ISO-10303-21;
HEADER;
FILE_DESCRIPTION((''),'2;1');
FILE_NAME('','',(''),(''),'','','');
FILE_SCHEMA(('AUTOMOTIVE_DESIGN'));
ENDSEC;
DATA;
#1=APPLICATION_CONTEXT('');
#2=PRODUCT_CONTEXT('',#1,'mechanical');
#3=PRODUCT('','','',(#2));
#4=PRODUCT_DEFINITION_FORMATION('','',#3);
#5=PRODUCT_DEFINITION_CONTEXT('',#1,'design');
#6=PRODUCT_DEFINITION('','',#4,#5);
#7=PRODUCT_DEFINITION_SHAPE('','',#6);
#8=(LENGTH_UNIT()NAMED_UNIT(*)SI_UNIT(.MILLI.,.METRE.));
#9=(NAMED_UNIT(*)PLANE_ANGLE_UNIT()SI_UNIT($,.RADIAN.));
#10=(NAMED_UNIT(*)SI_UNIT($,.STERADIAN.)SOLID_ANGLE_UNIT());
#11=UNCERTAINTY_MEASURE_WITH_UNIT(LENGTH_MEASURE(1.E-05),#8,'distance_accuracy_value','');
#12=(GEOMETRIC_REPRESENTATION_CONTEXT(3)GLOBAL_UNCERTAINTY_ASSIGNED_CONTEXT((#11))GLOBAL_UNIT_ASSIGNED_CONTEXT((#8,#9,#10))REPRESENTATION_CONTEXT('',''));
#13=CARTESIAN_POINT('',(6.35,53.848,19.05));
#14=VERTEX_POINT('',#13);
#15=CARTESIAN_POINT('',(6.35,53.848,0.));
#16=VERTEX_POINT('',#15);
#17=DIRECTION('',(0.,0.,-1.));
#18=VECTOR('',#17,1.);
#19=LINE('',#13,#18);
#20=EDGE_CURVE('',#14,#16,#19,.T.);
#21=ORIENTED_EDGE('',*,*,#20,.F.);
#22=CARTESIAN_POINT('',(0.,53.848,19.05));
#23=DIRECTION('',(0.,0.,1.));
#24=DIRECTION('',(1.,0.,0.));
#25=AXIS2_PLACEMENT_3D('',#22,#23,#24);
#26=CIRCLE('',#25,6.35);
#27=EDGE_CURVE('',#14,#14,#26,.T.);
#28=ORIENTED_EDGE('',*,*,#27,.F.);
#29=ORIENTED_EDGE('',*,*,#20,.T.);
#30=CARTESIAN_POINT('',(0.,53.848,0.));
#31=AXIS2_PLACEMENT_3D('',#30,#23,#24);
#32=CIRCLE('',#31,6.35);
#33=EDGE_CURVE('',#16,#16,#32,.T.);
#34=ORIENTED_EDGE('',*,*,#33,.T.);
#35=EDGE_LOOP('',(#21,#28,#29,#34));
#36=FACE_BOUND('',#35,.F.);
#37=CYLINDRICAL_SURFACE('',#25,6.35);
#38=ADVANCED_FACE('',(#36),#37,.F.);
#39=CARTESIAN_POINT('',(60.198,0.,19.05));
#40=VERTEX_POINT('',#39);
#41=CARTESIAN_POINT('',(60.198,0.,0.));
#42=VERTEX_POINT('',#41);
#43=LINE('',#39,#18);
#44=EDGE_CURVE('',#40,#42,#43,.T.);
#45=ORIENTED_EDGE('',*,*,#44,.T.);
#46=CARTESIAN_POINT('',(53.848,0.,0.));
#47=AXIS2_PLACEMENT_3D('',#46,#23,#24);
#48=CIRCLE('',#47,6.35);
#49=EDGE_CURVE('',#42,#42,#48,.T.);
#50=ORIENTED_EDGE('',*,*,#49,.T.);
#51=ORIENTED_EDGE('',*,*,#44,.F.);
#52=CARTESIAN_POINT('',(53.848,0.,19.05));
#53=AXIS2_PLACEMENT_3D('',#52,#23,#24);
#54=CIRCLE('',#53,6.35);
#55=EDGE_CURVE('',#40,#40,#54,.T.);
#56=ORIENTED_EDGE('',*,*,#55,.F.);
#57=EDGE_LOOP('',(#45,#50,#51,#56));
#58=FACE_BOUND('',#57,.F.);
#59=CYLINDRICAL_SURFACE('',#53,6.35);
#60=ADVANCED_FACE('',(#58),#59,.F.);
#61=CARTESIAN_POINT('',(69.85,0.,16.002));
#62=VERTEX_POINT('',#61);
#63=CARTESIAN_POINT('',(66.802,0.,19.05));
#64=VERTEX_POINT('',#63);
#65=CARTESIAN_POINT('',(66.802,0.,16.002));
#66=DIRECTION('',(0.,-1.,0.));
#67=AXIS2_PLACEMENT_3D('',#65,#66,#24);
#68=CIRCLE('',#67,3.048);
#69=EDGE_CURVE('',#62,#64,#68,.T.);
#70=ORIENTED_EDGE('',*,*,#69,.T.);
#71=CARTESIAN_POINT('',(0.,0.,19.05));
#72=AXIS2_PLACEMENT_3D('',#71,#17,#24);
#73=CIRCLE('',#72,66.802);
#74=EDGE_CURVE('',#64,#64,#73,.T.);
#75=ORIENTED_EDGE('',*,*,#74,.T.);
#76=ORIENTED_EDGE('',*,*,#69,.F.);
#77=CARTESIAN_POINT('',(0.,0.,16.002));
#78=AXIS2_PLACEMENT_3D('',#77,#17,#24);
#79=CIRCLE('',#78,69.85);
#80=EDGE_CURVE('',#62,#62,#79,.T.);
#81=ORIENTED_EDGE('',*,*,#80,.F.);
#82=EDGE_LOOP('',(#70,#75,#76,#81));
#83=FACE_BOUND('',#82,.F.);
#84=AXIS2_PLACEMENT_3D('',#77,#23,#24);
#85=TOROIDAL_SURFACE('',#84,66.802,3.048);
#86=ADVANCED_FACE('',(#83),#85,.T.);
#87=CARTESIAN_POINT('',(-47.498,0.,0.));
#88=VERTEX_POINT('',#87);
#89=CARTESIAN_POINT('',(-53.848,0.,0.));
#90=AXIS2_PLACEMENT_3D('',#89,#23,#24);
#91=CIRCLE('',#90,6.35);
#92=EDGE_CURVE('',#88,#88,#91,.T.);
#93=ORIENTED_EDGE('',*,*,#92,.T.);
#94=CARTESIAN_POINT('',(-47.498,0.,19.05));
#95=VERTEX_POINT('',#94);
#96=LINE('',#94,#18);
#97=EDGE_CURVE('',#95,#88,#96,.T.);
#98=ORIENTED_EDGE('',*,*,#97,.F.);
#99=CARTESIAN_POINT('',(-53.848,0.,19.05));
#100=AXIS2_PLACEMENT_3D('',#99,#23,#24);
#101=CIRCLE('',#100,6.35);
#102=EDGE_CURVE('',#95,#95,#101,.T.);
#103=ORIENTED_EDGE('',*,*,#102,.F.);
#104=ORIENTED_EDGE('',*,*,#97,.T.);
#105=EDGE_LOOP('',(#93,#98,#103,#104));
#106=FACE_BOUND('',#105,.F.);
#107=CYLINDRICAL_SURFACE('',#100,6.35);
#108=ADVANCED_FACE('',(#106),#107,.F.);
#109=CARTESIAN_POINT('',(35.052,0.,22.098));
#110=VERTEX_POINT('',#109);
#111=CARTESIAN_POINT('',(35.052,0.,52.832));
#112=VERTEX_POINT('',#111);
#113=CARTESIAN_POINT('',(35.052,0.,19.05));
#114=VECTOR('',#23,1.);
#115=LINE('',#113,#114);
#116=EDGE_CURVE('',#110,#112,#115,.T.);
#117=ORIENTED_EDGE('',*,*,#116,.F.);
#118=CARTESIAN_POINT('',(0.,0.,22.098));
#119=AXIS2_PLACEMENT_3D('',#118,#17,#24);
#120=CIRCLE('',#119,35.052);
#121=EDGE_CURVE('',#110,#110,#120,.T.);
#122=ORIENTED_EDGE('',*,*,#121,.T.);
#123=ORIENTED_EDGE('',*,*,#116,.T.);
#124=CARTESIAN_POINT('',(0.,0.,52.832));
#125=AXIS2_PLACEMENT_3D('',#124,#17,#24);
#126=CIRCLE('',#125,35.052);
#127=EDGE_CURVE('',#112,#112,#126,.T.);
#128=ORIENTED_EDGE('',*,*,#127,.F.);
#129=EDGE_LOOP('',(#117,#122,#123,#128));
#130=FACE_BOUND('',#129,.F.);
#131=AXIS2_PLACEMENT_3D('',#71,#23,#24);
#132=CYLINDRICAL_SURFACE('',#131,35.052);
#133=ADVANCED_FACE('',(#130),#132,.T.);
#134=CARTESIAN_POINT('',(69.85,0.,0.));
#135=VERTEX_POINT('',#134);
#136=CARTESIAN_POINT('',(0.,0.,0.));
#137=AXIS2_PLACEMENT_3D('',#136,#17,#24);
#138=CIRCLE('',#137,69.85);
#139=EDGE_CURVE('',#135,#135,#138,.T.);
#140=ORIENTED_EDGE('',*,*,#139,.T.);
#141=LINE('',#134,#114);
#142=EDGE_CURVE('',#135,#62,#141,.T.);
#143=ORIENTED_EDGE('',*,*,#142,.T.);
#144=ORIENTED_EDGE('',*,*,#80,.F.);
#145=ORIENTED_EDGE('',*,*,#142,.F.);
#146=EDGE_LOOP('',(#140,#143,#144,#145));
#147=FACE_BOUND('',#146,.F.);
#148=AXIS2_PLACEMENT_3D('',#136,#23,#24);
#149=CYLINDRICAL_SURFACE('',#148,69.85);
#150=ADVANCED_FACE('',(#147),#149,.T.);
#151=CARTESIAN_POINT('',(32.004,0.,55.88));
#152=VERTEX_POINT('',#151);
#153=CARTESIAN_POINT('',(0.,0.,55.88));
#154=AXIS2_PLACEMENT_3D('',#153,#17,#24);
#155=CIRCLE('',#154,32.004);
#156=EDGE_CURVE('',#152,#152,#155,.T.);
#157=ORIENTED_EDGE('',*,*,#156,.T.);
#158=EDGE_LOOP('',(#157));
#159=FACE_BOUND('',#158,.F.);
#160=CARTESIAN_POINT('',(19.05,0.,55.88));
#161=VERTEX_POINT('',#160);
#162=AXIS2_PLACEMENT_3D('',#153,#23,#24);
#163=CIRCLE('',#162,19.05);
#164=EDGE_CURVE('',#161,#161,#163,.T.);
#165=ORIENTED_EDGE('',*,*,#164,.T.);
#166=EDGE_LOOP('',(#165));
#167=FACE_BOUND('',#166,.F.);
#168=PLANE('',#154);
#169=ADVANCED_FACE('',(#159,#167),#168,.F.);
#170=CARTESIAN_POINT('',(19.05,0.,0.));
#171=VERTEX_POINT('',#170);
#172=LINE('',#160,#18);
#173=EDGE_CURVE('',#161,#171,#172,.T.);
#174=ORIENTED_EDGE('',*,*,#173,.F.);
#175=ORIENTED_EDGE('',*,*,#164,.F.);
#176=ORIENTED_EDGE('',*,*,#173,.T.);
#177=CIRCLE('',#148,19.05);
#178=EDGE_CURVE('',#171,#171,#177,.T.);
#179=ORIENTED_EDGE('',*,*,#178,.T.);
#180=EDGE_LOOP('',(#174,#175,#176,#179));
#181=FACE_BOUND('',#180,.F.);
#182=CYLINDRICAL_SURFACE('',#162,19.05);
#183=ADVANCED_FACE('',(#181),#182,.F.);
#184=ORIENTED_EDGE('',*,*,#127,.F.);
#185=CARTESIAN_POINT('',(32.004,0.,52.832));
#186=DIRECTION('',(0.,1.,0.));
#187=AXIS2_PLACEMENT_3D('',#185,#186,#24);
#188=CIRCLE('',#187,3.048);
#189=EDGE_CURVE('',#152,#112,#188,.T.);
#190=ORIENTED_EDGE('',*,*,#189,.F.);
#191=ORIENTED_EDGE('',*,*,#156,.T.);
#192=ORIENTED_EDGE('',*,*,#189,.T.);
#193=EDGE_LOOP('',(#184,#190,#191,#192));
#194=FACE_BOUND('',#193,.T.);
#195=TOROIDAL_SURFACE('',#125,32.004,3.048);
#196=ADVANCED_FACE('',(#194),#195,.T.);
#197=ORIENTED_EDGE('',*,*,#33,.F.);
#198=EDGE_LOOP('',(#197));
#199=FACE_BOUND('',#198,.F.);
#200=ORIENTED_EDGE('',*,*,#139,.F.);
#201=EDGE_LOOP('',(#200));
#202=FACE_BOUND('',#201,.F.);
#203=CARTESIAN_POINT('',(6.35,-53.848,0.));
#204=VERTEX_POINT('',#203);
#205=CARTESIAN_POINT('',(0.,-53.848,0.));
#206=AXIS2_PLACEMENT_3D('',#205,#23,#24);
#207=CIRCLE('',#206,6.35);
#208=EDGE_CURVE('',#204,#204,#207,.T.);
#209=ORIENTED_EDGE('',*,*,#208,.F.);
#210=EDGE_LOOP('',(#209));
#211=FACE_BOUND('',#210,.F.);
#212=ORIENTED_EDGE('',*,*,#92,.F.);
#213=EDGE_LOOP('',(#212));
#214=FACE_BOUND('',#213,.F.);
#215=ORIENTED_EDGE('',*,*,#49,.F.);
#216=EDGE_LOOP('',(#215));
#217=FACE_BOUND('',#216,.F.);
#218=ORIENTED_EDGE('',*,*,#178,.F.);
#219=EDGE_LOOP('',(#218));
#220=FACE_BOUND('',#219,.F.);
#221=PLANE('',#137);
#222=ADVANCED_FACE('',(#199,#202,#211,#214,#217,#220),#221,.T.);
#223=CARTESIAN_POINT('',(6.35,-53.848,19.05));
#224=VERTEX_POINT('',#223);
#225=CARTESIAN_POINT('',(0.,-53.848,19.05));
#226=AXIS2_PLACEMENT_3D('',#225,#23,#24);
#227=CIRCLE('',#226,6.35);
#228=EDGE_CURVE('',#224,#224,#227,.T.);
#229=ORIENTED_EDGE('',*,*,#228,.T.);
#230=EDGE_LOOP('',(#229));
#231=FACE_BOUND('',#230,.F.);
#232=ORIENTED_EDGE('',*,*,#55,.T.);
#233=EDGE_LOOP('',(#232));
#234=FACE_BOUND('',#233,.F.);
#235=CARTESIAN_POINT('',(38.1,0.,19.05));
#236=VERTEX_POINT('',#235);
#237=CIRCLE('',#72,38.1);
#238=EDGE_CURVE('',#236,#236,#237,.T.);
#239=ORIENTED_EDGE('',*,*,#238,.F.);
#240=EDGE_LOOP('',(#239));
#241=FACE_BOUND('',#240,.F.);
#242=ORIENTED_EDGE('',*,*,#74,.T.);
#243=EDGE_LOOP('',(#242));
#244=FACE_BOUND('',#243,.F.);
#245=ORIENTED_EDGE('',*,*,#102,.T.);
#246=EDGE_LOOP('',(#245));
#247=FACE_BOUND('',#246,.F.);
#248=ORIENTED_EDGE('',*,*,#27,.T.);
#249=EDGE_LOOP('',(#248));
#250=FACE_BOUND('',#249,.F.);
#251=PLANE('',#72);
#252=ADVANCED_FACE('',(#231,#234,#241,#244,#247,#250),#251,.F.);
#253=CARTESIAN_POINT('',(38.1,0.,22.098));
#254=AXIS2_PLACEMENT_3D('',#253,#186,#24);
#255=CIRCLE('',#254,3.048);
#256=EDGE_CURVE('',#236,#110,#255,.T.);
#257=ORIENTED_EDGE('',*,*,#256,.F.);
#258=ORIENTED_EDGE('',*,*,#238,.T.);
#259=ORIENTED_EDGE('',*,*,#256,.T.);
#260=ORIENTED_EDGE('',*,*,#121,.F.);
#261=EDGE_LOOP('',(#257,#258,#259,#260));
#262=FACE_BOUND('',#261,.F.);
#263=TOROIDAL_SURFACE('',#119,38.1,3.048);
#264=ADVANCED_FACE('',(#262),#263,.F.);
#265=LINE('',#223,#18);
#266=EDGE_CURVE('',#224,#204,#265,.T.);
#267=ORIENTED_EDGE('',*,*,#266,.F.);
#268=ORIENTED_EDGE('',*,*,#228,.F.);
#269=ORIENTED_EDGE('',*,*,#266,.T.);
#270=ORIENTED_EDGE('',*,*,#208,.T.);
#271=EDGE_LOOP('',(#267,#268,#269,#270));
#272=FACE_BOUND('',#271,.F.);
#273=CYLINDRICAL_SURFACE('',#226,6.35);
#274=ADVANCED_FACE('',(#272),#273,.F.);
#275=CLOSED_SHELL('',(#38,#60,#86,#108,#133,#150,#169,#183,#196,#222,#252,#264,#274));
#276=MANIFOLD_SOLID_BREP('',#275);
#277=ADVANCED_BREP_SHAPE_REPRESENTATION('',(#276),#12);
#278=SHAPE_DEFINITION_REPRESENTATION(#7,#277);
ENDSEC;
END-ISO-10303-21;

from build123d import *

# Parameters (mm, degrees)
F2_R     = 19.05
F3_DEPTH = 55.881
F4_R     = 3.048
F5_R     = 6.35
F6_DEPTH = 19.051


with BuildPart() as f1:
    # F0 (on Front) → F1 (revolve)
    with BuildSketch(Plane.XZ):
        Polygon((0, 55.88), (0, 0), (69.85, 0), (69.85, 19.05), (35.052, 19.05), (35.052, 55.88), align=None)
    revolve(axis=Axis((0, 0, 27.94), (0, 0, -1)))

    # F2 (on face) → F3 (cut, through all)
    with BuildSketch(Plane.XY.offset(55.88)):
        Circle(F2_R)
    extrude(amount=-F3_DEPTH, mode=Mode.SUBTRACT)

    # F4
    f4_edges = [f1.edges().sort_by_distance(p)[0] for p in [
        (-35.052, 0, 55.88),
        (-69.85, 0, 19.05),
        (-35.052, 0, 19.05),
    ]]
    fillet(f4_edges, radius=F4_R)

    # F5 (on face) → F6 (cut, through all)
    with BuildSketch(Plane.XY.offset(19.05)):
        with Locations((-53.848, 0)):
            Circle(F5_R)
        with Locations((0, 53.848)):
            Circle(F5_R)
        with Locations((53.848, 0)):
            Circle(F5_R)
        with Locations((0, -53.848)):
            Circle(F5_R)
    extrude(amount=-F6_DEPTH, mode=Mode.SUBTRACT)


solid = f1.part
